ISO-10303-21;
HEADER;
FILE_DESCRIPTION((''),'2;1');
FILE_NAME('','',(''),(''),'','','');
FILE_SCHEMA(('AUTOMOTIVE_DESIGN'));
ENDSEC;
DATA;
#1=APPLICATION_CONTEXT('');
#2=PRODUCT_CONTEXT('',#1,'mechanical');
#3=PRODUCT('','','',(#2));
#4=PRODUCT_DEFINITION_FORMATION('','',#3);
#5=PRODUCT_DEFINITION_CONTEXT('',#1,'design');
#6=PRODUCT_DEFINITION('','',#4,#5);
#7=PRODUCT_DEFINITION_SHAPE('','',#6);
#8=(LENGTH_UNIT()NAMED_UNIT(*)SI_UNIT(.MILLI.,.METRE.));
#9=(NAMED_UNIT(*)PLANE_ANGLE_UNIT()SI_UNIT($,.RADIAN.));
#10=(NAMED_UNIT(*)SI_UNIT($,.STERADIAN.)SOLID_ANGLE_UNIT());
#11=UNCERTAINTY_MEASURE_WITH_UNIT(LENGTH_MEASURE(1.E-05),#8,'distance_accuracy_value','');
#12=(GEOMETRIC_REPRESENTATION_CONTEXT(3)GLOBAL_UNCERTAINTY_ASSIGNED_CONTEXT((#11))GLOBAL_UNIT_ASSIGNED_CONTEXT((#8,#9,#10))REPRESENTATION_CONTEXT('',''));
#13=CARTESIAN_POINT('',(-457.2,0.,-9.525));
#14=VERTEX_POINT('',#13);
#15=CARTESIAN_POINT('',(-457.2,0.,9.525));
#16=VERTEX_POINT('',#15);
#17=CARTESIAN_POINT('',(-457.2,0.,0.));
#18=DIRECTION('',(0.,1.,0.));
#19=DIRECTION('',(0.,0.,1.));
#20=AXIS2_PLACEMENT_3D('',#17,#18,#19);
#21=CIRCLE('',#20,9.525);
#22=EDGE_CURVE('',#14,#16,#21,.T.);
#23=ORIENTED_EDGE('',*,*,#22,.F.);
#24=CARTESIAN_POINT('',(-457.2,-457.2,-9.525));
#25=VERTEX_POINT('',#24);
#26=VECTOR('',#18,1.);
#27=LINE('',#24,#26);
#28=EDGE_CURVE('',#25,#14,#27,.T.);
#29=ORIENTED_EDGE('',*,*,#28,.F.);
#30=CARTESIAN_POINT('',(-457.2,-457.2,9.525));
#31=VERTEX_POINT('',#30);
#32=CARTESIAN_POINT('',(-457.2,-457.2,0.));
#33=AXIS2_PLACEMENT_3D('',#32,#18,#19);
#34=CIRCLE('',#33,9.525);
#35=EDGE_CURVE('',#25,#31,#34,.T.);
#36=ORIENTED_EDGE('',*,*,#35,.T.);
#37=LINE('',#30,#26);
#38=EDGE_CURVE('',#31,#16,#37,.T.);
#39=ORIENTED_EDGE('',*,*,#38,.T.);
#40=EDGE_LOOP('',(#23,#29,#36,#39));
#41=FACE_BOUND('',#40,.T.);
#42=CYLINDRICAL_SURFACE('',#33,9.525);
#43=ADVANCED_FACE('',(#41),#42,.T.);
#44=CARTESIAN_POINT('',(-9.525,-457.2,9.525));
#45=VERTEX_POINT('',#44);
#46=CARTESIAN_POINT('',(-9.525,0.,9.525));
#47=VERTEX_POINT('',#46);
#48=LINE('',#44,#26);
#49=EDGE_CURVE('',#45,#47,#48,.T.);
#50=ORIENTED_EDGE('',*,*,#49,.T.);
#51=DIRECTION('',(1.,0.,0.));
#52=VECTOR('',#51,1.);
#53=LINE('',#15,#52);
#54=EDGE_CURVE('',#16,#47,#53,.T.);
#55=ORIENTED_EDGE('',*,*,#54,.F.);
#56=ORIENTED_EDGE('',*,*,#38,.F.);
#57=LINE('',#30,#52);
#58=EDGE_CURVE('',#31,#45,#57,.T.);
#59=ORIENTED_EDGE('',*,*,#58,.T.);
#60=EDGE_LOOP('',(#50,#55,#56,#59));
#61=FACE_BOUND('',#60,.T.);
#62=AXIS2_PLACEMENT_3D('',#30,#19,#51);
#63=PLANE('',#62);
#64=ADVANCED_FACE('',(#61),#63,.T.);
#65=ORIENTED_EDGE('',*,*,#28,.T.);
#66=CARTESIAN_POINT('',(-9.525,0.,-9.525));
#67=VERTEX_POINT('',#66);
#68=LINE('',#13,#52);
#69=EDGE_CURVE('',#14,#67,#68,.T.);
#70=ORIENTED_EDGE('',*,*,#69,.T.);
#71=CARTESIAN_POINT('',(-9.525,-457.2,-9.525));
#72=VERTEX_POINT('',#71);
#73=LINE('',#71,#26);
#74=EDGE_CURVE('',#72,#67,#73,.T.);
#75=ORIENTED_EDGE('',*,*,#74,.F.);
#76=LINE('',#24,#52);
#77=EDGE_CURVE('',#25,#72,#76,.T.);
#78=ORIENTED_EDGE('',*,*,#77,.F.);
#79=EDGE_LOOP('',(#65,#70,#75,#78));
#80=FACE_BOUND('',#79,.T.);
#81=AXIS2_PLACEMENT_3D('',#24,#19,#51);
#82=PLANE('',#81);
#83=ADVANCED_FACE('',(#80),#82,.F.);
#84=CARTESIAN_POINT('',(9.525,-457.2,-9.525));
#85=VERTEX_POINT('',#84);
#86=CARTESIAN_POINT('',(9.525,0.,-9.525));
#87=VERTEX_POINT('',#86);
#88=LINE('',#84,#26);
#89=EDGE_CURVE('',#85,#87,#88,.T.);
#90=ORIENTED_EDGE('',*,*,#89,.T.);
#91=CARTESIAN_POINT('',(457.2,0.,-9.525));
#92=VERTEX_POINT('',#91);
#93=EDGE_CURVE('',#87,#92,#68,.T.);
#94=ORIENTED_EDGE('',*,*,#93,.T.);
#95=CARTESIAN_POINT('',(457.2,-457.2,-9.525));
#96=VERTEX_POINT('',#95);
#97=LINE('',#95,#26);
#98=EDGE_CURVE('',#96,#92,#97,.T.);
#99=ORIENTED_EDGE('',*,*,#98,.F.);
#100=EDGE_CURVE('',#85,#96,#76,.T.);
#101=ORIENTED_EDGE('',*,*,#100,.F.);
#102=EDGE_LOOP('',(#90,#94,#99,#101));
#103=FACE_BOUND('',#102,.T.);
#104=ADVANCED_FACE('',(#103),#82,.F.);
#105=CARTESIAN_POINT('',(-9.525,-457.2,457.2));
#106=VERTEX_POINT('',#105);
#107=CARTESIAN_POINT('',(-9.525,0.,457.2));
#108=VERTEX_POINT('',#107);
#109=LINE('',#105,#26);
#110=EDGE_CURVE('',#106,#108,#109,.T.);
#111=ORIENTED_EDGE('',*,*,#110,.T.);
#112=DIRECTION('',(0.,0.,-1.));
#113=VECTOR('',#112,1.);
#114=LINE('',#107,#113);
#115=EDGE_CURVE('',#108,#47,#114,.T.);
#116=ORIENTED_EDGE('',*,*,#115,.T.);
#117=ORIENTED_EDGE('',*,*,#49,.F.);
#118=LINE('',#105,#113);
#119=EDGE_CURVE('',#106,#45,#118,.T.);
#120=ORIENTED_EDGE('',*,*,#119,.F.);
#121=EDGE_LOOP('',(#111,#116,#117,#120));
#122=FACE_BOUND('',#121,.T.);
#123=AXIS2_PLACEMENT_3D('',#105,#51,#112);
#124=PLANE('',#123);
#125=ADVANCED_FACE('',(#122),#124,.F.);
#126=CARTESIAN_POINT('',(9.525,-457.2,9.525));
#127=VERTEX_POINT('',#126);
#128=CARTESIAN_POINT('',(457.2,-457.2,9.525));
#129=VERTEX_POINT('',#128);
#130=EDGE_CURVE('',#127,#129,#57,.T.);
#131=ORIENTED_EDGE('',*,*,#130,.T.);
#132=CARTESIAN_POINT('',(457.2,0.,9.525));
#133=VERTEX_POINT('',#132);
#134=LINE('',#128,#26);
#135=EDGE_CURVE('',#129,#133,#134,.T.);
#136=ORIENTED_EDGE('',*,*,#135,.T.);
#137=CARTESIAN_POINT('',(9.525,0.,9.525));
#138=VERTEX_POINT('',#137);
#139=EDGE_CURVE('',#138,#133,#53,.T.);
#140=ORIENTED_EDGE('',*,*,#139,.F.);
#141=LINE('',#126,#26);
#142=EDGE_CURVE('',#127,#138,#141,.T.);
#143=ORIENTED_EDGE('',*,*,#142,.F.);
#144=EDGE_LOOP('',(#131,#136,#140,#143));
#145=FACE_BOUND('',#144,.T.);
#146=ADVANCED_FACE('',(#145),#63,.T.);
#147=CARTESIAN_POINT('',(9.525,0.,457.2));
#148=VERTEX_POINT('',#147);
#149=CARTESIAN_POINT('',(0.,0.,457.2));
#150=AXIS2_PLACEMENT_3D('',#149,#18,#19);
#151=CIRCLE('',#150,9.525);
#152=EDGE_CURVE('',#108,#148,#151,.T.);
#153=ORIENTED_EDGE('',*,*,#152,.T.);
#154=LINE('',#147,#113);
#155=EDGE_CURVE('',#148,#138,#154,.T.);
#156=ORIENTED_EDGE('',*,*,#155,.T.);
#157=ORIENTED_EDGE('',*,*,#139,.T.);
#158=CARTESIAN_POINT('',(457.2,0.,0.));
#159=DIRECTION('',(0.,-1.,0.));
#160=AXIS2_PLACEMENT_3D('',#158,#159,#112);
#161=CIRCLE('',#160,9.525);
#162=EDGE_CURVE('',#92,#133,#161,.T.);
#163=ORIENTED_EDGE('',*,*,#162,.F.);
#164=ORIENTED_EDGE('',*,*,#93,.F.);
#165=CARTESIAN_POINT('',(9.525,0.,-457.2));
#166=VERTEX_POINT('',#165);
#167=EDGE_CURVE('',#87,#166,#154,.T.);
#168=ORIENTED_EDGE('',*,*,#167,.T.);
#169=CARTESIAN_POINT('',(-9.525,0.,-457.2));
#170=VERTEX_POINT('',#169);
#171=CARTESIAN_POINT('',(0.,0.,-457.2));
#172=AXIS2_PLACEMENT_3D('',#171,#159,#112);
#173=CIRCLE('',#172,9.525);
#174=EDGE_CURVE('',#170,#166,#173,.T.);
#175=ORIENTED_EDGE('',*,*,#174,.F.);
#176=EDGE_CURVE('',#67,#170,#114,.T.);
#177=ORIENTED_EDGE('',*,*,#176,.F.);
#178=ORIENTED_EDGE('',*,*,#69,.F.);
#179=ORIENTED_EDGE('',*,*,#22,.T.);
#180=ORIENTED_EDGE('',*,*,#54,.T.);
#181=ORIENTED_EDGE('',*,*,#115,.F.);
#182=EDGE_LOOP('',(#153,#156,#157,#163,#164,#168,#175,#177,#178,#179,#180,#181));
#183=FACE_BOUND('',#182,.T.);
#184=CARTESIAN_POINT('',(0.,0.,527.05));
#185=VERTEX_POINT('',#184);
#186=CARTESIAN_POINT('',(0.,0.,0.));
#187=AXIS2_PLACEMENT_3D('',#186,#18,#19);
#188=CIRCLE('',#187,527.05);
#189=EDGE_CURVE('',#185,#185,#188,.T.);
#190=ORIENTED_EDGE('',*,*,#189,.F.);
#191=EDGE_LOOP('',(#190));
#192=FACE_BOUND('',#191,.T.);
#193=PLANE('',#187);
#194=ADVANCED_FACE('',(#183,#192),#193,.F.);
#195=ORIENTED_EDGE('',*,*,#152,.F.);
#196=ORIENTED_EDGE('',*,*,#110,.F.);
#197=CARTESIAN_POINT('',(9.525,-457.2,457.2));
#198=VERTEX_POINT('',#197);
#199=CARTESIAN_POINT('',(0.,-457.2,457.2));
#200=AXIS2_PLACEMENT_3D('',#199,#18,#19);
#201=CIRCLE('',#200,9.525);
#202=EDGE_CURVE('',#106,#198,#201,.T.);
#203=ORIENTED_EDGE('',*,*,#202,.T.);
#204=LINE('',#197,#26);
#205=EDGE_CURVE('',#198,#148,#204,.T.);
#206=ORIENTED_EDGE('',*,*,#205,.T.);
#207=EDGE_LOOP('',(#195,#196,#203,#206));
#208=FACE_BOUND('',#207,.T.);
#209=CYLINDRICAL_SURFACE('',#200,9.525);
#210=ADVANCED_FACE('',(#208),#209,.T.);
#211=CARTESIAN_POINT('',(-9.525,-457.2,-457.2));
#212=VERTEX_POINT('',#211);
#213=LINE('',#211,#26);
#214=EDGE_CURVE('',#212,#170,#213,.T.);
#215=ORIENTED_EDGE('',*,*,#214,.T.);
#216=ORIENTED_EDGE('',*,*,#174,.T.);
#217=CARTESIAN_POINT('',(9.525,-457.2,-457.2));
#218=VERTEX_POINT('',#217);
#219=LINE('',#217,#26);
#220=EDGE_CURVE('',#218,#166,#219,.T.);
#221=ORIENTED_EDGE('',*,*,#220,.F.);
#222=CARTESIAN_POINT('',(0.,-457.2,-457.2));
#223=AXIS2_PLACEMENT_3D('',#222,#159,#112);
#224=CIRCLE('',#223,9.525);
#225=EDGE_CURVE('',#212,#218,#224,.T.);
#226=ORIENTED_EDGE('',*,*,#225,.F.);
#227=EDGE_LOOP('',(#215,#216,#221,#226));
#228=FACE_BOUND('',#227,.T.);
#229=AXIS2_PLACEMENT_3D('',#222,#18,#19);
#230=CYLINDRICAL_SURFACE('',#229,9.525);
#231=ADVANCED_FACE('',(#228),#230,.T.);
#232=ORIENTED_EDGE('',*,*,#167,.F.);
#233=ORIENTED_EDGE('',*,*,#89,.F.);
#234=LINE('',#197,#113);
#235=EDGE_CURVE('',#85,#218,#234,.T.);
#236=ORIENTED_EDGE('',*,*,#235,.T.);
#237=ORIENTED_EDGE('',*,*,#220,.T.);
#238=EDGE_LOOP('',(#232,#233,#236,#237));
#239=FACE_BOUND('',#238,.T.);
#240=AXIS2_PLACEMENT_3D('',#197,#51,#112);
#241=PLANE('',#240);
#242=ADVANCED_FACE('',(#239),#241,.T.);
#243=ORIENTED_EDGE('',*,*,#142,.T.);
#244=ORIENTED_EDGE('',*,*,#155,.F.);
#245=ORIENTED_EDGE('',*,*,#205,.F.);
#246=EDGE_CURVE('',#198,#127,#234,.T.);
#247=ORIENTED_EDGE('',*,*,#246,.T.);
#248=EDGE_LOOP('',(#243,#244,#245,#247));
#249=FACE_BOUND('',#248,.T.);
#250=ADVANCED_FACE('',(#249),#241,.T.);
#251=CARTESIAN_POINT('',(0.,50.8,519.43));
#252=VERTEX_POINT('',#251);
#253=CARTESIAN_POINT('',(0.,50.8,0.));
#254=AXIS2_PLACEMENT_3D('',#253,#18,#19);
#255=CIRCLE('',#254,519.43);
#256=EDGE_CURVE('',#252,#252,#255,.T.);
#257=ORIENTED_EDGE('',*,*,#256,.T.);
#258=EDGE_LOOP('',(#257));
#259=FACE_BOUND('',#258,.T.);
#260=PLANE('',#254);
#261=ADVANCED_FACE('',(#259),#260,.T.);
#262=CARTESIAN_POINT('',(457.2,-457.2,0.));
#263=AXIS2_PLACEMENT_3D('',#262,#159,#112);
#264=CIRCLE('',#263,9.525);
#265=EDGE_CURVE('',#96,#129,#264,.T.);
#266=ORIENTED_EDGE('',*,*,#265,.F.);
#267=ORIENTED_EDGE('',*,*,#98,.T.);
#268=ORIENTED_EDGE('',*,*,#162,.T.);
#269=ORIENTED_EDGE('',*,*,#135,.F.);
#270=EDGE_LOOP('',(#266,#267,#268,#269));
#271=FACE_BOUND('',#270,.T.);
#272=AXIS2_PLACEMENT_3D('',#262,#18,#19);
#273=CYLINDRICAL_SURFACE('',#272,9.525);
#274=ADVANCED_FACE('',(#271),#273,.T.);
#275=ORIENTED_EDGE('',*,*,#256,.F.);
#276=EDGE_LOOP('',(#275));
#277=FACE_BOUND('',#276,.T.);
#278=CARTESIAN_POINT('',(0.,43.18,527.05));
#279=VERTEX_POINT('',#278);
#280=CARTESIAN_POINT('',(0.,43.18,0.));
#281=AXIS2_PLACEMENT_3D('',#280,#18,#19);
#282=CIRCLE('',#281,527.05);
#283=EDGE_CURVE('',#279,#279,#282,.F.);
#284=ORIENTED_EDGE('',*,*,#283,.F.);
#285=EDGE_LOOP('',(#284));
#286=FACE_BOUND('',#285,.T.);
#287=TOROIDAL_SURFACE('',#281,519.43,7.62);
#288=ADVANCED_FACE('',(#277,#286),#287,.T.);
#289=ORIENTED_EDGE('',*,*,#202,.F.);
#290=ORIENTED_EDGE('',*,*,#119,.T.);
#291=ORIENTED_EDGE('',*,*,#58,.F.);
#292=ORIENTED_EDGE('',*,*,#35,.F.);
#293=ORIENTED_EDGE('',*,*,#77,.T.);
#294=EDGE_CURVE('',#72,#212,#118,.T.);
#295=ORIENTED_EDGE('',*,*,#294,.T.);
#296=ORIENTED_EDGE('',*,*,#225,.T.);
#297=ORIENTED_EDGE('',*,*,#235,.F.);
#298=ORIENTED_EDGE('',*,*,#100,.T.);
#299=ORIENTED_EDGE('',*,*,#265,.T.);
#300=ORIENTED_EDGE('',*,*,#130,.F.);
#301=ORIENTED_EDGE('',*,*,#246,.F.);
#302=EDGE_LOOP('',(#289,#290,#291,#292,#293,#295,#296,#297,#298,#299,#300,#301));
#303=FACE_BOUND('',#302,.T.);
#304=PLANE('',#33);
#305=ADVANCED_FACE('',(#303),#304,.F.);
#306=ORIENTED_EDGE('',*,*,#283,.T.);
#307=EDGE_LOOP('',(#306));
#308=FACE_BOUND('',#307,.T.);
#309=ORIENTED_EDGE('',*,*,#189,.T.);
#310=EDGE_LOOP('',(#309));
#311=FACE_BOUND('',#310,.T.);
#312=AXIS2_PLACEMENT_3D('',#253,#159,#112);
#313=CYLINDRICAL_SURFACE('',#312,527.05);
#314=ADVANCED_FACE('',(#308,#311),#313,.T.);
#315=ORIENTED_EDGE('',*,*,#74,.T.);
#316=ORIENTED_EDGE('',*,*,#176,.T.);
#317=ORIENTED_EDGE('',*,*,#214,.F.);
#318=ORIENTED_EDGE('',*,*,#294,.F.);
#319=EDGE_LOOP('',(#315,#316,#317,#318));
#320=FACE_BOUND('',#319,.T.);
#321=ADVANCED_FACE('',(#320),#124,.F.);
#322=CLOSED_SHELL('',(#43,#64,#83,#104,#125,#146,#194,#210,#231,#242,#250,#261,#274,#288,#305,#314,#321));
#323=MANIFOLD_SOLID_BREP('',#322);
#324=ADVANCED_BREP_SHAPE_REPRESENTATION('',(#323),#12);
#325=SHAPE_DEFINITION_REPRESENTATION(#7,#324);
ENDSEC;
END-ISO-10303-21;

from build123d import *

# Parameters (mm, degrees)
SKETCH1_R           = 527.05
BOSS_EXTRUDE1_DEPTH = 50.8
FILLET1_R           = 7.62
BOSS_EXTRUDE2_DEPTH = 457.2


with BuildPart() as part:
    # Sketch1 → Boss-Extrude1 (new body)
    with BuildSketch(Plane(origin=(0, 0, 0), x_dir=(1, 0, 0), z_dir=(0, 1, 0))):
        with Locations(Location((0, 0, 0), (0, 0, 270))):
            Circle(SKETCH1_R)
    extrude(amount=BOSS_EXTRUDE1_DEPTH)

    # Fillet1
    fillet1_edges = [part.edges().sort_by_distance(p)[0] for p in [
        (0, 50.8, -527.05),
    ]]
    fillet(fillet1_edges, radius=FILLET1_R)

    # Sketch2 → Boss-Extrude2 (add)
    with BuildSketch(Plane.XZ):
        with BuildLine():
            Line((-9.525, 457.2), (-9.525, -457.2))
            ThreePointArc((-9.525, -457.2), (0, -466.725), (9.525, -457.2))
            Line((9.525, -457.2), (9.525, 457.2))
            ThreePointArc((9.525, 457.2), (0, 466.725), (-9.525, 457.2))
        make_face()
        with BuildLine():
            Line((-457.2, -9.525), (457.2, -9.525))
            ThreePointArc((457.2, -9.525), (466.725, 0), (457.2, 9.525))
            Line((457.2, 9.525), (-457.2, 9.525))
            ThreePointArc((-457.2, 9.525), (-466.725, 0), (-457.2, -9.525))
        make_face()
    extrude(amount=BOSS_EXTRUDE2_DEPTH)


solid = part.part
